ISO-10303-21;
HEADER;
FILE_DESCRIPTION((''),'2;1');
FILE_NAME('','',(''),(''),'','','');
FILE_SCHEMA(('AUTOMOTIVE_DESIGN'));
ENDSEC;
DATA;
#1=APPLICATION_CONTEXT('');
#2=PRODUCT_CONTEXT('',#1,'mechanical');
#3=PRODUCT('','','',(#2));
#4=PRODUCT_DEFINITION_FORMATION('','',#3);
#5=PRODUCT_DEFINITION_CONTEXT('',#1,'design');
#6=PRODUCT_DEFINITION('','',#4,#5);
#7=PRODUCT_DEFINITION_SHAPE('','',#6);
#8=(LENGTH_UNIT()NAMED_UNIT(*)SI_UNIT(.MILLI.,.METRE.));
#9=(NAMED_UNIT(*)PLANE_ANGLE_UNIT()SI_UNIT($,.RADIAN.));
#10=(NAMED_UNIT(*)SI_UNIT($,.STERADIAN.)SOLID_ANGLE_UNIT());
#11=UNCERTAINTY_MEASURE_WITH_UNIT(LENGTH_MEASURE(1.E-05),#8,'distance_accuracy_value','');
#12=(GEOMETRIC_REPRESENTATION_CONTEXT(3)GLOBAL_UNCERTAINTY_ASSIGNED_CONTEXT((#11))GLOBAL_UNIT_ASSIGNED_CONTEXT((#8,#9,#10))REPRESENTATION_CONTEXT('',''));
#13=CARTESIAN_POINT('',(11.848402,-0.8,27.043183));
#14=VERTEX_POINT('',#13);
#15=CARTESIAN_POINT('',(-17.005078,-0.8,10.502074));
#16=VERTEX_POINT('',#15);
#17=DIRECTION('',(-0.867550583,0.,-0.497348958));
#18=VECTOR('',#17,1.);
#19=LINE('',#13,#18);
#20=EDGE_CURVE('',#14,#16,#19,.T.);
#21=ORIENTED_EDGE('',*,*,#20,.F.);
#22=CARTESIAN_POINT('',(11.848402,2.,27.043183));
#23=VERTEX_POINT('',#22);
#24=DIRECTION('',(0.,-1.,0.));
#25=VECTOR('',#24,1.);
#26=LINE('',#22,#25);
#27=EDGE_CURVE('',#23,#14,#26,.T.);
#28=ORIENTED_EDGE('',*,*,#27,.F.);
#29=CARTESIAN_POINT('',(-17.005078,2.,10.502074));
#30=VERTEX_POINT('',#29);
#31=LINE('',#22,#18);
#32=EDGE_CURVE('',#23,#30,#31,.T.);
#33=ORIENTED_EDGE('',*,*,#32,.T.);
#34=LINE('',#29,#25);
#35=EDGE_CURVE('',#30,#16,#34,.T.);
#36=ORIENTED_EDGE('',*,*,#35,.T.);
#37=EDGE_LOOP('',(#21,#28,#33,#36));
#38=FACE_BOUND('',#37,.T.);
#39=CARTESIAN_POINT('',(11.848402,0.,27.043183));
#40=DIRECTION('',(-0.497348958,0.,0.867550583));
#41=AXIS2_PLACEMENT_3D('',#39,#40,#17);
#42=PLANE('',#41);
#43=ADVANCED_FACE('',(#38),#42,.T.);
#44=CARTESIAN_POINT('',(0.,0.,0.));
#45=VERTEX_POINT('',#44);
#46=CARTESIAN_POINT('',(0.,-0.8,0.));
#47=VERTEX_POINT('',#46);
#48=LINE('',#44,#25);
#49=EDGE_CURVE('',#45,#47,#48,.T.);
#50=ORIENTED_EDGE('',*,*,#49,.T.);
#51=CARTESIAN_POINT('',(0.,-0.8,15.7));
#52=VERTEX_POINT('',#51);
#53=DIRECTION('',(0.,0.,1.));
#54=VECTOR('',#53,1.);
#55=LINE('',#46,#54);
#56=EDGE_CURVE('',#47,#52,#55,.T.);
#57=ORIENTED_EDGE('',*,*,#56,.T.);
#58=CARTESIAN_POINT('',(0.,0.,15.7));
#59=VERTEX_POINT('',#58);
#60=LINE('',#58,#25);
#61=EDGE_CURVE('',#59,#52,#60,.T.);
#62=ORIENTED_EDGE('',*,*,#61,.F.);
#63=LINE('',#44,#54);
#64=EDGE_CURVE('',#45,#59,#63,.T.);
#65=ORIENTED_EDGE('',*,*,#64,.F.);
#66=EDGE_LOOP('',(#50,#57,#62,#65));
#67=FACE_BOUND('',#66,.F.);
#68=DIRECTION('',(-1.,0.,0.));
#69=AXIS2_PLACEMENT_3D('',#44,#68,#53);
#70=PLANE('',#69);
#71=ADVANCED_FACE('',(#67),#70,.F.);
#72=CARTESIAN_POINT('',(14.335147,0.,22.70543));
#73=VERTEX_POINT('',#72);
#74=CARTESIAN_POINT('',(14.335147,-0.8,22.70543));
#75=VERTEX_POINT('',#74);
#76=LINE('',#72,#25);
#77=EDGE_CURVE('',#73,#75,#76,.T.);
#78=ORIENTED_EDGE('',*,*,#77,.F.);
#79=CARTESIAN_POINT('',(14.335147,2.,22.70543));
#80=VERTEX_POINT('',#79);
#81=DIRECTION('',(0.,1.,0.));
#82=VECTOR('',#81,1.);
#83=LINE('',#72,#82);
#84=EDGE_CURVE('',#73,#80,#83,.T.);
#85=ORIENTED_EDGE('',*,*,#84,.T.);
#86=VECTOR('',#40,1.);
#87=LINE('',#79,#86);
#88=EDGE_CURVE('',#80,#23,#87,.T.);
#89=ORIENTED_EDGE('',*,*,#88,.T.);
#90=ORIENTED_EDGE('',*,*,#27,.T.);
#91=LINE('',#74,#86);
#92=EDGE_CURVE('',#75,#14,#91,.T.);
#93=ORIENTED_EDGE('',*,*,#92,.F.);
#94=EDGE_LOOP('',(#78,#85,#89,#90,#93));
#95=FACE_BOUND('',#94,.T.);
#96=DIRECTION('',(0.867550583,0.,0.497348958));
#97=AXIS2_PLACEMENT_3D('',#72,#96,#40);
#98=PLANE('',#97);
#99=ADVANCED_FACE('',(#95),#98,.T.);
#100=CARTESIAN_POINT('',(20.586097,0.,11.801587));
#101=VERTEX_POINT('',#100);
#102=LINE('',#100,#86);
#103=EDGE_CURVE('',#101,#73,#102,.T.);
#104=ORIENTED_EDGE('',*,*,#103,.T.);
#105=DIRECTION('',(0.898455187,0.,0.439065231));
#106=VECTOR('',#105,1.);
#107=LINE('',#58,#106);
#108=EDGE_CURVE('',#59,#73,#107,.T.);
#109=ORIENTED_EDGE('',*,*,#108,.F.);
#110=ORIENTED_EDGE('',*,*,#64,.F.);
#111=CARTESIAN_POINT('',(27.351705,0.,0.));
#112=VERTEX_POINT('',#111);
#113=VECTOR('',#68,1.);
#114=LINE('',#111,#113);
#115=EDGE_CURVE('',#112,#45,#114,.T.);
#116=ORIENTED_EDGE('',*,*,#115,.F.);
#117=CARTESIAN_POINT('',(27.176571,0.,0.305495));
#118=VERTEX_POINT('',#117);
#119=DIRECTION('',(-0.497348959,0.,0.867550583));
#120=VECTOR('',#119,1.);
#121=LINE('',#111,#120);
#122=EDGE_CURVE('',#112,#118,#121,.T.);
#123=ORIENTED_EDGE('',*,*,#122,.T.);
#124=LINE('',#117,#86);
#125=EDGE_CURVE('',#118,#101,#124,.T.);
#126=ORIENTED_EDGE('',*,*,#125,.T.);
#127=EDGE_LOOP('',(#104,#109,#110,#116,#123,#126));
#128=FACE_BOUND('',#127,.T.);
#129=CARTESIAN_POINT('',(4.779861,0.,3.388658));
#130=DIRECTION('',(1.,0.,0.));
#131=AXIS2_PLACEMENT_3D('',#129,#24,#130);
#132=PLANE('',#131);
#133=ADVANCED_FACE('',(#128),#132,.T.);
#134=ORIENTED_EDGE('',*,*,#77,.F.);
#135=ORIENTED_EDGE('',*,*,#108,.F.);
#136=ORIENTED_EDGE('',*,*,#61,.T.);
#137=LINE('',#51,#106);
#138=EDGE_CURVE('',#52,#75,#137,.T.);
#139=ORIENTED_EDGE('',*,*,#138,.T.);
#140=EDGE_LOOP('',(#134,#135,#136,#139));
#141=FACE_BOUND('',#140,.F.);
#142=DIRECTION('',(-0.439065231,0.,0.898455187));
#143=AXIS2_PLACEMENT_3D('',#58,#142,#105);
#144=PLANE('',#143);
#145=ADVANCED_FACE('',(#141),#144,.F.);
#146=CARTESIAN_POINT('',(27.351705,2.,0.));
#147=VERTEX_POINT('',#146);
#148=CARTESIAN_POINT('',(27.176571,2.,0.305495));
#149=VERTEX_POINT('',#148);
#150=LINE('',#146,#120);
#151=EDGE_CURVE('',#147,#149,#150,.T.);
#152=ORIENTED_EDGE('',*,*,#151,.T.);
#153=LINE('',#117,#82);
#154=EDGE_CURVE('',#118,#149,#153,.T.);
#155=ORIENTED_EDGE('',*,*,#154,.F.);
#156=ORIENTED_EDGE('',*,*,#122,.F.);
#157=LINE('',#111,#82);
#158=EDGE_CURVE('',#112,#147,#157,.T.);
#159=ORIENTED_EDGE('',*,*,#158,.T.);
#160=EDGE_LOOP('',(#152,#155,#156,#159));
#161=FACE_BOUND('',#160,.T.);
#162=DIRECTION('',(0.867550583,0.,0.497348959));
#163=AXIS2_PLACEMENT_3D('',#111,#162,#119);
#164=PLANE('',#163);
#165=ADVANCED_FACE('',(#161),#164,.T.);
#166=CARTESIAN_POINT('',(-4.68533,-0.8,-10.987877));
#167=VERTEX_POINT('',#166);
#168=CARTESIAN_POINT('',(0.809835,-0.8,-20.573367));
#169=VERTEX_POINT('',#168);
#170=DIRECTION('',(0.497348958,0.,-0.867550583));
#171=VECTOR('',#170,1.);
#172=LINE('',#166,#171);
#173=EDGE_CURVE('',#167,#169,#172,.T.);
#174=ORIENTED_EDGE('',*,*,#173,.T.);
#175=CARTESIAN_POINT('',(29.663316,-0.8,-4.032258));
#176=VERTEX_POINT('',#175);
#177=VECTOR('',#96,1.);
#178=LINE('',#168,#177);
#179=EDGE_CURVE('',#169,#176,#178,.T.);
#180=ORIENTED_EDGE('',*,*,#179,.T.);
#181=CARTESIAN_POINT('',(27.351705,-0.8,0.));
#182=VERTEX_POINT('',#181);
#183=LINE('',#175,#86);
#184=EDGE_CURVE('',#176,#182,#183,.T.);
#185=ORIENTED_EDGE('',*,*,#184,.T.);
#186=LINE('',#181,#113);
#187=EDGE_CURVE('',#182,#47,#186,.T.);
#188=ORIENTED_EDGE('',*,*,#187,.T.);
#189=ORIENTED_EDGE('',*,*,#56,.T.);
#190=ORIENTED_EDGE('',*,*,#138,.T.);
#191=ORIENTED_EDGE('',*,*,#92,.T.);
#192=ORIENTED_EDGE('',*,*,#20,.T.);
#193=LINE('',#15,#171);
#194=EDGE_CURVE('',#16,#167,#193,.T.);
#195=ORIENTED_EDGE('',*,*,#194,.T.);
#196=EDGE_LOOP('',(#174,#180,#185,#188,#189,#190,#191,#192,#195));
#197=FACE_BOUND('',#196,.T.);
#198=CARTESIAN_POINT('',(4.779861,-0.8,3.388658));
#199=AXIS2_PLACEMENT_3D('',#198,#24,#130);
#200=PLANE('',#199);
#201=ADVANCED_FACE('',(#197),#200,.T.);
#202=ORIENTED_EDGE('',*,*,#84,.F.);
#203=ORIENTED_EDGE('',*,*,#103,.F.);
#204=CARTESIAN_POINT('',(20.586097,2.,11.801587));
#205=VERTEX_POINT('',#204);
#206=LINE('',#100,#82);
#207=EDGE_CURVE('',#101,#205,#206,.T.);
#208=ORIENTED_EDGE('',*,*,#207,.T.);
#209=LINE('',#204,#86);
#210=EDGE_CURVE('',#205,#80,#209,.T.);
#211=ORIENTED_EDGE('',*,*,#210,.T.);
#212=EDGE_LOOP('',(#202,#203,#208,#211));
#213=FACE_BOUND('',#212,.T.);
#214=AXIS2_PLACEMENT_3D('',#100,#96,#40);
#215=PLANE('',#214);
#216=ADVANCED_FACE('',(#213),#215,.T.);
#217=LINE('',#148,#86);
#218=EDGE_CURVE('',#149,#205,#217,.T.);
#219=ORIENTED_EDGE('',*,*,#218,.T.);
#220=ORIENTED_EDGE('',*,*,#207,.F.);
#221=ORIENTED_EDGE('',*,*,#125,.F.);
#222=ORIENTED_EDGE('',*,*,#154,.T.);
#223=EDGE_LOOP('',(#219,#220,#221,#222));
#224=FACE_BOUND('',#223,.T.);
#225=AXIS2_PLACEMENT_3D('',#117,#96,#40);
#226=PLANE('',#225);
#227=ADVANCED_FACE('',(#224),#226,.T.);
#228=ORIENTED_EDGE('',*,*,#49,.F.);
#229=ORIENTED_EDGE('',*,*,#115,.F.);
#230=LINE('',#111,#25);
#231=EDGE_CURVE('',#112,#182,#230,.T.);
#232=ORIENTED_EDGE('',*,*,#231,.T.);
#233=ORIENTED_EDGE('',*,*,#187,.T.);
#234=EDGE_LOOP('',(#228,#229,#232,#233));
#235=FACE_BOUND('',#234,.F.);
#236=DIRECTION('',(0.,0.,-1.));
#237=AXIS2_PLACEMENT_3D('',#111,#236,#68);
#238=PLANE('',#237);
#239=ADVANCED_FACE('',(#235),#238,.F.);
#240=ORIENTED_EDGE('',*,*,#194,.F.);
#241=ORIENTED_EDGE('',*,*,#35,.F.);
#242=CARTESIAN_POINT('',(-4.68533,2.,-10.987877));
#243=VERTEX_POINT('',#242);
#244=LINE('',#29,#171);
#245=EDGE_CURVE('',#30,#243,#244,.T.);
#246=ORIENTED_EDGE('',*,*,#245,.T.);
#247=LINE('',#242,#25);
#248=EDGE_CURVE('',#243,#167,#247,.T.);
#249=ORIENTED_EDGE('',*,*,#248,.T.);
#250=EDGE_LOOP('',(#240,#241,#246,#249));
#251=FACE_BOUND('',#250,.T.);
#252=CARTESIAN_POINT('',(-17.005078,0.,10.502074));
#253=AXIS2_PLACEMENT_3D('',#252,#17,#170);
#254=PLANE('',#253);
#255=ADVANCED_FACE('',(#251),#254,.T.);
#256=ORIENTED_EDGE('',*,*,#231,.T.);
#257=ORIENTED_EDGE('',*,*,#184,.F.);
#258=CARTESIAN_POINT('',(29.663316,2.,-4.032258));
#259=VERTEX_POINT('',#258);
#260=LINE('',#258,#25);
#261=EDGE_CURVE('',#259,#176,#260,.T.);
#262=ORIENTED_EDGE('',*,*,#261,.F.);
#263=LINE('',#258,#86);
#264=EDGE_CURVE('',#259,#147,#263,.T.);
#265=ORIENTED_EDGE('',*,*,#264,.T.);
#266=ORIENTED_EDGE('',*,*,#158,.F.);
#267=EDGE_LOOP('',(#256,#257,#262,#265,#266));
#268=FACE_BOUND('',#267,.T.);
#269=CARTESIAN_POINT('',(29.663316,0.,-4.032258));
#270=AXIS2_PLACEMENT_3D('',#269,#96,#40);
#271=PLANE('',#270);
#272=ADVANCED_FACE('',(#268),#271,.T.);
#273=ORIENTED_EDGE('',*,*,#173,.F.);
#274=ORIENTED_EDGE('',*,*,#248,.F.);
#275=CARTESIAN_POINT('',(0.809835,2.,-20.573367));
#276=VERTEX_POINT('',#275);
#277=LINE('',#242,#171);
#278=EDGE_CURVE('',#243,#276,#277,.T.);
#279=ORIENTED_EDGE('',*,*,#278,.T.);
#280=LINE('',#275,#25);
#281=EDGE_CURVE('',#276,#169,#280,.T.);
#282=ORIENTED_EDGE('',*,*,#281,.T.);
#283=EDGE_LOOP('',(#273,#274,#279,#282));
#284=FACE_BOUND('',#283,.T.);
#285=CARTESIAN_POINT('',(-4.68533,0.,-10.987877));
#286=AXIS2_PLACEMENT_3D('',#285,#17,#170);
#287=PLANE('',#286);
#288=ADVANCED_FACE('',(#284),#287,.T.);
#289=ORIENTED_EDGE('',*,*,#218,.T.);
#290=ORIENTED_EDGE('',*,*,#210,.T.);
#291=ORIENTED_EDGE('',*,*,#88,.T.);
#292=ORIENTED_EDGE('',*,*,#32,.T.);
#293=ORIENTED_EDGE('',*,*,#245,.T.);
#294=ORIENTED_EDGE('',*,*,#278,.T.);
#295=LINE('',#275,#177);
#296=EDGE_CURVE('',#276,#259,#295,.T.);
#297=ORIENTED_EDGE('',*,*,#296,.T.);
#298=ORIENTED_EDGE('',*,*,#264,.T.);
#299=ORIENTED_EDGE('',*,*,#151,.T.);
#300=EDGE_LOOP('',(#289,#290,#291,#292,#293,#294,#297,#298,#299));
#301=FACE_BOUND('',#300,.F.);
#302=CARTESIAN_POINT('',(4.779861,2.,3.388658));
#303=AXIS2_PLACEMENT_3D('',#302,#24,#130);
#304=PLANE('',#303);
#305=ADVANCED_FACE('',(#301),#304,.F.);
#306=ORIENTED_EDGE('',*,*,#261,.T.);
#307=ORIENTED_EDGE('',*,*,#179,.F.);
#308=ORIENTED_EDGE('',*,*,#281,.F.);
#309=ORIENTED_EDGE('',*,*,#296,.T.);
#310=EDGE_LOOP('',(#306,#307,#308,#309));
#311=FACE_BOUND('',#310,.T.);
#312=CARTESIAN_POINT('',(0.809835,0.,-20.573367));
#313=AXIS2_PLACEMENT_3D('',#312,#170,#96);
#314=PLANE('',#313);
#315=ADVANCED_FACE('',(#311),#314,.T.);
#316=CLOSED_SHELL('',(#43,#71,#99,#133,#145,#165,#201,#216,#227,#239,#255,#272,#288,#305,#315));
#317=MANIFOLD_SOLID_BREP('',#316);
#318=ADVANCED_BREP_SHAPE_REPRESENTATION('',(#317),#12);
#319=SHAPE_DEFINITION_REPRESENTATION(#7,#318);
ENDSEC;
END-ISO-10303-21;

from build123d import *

# Parameters (mm, degrees)
F1_DEPTH = 0.8
F2_DEPTH = 2


with BuildPart() as f1:
    # F0 (on Front) → F1 (new body)
    with BuildSketch(Plane.XZ):
        Polygon((25, 0), (0, 0), (0, 15.7), (14.3351472552, 22.7054297943), (11.8484024629, 27.0431827077), (-17.0050778452, 10.5020741364), (-4.685329569, -10.9878769608), (0.8098351958, -20.5733668117), (29.663315504, -4.0322582404), (27.3517045431, 0), align=None)
    extrude(amount=F1_DEPTH)

    # F0 (on Front) → F2 (join)
    with BuildSketch(Plane.XZ):
        Polygon((25, 0), (0, 0), (0, 15.7), (14.3351472552, 22.7054297943), (11.8484024629, 27.0431827077), (-17.0050778452, 10.5020741364), (-4.685329569, -10.9878769608), (0.8098351958, -20.5733668117), (29.663315504, -4.0322582404), (27.3517045431, 0), align=None)
        Polygon((0, 15.7), (0, 0), (20.5860966838, 11.8015870761), (14.3351472552, 22.7054297943), align=None)
        Polygon((20.5860966838, 11.8015870761), (0, 0), (25, 0), align=None)
        Polygon((20.5860966838, 11.8015870761), (25, 0), (27.3517045431, 0), (27.1765707117, 0.305494673), align=None)
    extrude(amount=-F2_DEPTH)


solid = f1.part
